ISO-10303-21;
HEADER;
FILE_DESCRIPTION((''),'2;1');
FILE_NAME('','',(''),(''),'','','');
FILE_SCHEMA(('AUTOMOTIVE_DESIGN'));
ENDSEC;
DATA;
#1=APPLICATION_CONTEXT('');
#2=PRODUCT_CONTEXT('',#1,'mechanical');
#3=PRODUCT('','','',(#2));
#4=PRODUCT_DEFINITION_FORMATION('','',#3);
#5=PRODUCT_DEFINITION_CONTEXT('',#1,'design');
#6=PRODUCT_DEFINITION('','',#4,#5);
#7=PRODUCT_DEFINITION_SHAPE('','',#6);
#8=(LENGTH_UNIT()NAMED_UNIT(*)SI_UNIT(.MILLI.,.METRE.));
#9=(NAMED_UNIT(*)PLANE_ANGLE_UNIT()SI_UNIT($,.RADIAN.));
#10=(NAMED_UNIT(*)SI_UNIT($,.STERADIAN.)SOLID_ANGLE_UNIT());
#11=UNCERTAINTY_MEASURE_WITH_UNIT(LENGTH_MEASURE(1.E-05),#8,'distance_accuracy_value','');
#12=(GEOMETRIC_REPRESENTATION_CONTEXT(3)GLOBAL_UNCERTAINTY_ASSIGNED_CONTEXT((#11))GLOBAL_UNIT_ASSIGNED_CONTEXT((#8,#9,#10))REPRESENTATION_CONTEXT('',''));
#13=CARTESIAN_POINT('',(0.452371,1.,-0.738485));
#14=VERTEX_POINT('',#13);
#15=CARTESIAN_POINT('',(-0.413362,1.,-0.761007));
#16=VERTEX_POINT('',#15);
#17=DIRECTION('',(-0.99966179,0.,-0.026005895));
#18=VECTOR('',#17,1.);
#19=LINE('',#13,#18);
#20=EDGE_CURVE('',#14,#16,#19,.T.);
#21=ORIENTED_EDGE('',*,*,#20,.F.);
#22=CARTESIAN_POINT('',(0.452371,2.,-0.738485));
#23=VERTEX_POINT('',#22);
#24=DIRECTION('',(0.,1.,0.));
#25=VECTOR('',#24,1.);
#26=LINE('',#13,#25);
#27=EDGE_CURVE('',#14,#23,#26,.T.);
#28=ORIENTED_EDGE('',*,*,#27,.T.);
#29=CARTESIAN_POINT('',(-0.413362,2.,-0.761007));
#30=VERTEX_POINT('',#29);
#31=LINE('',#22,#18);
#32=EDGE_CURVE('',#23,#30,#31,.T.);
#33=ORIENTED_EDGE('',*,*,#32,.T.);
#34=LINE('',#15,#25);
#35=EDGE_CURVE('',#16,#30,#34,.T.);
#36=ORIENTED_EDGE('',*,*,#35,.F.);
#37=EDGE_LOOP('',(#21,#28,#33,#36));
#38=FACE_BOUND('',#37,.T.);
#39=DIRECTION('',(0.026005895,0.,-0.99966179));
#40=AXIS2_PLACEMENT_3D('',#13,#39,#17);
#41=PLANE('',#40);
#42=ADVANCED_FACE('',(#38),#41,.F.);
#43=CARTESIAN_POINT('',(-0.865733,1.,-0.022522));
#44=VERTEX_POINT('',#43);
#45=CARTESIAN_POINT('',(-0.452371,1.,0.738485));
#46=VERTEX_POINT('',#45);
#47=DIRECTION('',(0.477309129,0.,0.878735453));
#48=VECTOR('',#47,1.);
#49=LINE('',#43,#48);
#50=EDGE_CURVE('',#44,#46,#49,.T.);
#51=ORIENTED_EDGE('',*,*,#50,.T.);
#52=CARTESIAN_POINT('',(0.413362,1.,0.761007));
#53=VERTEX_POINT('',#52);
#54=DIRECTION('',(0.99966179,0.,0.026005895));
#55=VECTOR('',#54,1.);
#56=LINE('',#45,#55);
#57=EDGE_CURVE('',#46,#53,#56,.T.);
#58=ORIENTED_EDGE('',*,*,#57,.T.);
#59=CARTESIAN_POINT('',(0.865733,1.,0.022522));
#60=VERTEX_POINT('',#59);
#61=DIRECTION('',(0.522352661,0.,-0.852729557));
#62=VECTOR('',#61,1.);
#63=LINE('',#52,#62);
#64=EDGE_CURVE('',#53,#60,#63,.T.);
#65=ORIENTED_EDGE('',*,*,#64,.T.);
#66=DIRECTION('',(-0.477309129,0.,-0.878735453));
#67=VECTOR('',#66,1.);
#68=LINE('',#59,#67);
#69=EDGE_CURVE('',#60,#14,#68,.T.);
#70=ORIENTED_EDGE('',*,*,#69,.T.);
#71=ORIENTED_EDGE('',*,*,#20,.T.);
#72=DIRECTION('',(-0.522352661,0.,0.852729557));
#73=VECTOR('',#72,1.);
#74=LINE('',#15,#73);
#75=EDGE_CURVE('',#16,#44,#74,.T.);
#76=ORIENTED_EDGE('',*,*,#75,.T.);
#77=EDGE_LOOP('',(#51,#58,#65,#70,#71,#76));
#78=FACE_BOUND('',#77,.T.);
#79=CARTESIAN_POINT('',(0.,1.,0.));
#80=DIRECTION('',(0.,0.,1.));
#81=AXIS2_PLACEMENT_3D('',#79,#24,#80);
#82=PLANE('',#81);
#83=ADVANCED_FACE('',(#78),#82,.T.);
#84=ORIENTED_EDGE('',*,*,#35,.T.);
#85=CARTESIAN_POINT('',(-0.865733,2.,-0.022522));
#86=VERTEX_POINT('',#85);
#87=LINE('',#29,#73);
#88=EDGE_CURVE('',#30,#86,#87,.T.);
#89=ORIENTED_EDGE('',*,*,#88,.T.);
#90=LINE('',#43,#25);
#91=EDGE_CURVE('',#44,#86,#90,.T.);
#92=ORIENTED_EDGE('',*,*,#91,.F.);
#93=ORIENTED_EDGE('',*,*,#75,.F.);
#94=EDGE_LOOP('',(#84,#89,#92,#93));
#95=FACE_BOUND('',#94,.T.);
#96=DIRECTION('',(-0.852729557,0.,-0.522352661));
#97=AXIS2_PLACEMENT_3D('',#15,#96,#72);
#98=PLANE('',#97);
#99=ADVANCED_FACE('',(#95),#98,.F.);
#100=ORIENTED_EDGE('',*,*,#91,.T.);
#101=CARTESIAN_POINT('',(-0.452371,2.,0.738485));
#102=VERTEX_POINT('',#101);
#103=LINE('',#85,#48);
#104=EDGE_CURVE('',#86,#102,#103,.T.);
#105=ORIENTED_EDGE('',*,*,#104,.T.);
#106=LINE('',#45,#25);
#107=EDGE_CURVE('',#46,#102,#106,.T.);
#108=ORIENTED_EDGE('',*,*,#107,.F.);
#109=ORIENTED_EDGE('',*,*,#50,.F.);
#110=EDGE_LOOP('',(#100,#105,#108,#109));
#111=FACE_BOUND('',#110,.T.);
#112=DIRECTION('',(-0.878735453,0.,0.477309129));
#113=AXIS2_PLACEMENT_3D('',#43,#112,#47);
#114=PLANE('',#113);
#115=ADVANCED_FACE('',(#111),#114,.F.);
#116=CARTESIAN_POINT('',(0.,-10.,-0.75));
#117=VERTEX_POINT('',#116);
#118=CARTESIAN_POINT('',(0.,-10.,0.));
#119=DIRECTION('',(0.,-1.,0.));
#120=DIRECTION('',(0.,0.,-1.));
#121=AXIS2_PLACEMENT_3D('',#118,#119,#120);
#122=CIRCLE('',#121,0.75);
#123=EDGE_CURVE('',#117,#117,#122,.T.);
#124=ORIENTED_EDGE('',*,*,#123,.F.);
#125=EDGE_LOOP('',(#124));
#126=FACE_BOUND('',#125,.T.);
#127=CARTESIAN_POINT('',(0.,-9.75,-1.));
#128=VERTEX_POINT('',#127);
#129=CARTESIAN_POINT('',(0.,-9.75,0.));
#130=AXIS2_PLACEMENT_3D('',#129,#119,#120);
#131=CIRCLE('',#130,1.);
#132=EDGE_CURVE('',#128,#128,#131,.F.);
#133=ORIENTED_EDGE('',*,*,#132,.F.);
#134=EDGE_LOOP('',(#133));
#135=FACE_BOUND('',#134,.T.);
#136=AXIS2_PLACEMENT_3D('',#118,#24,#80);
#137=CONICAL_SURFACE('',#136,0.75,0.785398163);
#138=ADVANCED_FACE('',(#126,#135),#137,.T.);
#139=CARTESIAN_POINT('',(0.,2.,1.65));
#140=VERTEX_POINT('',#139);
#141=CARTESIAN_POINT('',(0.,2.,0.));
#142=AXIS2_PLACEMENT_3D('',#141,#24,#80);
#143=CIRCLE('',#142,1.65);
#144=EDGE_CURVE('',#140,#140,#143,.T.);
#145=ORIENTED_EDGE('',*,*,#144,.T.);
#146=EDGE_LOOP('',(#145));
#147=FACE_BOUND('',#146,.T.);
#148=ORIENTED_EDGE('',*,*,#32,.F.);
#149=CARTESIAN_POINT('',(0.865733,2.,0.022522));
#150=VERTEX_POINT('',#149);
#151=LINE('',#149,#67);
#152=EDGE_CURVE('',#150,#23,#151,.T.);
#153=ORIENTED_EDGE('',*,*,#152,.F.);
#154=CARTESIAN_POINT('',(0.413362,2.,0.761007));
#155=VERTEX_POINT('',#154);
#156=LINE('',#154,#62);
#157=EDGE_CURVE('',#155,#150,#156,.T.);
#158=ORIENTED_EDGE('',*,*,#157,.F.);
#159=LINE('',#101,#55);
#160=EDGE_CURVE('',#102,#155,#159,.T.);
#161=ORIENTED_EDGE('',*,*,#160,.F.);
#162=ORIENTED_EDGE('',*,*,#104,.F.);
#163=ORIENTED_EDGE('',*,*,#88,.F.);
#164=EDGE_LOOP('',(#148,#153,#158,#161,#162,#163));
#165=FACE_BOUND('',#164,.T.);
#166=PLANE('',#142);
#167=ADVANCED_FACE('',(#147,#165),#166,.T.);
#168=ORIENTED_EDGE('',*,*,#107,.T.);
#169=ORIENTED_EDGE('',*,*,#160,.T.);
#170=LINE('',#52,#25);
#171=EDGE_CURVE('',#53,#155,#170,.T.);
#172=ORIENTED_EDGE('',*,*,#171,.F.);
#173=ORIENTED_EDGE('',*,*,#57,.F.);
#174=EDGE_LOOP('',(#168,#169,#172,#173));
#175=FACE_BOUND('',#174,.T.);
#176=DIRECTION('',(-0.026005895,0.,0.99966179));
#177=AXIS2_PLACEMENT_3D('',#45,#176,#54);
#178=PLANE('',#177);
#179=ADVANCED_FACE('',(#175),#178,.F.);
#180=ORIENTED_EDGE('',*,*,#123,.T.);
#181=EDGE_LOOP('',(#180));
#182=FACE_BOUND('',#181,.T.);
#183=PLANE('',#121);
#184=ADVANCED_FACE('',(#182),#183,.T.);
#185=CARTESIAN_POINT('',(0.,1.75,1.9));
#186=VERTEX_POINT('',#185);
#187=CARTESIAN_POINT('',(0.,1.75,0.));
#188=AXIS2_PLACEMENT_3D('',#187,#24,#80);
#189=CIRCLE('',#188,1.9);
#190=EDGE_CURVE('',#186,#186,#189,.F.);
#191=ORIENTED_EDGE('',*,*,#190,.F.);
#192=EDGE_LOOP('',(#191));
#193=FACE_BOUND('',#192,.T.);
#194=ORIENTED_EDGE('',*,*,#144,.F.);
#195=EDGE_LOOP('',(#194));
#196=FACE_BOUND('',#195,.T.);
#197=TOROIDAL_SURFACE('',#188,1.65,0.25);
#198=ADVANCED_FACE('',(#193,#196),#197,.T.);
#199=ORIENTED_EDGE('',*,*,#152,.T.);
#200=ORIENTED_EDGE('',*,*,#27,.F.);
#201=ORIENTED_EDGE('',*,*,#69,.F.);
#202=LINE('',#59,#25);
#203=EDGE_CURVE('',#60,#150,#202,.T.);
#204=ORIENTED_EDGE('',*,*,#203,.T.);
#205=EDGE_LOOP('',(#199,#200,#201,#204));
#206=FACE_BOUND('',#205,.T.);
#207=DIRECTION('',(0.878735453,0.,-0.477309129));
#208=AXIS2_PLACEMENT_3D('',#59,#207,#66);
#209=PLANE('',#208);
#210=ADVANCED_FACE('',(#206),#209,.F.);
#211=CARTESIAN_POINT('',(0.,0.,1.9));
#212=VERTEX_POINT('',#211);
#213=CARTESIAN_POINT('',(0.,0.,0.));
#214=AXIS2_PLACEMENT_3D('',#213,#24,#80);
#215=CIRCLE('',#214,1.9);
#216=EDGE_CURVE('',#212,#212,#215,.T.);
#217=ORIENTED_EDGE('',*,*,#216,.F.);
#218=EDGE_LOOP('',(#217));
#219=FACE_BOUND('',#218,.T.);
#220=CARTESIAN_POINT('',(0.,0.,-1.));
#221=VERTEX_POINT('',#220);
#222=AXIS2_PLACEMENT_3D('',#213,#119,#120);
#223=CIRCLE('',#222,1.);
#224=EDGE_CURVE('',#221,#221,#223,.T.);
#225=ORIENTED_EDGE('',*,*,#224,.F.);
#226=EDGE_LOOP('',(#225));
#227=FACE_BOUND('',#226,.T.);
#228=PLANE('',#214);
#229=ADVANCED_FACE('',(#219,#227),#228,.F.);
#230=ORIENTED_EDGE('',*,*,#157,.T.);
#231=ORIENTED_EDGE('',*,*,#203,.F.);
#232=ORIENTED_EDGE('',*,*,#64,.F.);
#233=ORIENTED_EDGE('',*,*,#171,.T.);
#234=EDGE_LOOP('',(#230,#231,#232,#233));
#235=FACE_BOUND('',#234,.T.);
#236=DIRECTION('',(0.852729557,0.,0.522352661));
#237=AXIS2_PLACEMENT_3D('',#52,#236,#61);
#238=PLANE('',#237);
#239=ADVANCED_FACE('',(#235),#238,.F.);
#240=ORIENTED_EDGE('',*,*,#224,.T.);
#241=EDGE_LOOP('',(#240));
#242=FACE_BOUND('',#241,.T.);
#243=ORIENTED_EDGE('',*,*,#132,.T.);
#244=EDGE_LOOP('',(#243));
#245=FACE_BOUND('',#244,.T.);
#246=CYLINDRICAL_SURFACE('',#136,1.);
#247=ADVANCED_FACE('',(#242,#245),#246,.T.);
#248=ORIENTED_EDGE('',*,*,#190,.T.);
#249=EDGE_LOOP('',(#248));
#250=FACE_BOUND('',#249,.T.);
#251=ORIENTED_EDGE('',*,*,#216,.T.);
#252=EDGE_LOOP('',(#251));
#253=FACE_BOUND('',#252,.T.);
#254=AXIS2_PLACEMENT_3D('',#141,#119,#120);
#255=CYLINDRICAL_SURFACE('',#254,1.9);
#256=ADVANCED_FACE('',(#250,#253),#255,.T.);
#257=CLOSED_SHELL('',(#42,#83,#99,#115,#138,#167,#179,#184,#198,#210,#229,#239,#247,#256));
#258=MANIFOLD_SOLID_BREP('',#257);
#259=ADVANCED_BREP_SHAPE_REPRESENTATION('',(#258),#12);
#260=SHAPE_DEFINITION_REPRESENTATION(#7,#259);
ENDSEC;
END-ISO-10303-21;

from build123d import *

# Parameters (mm, degrees)
DIAMETRE_TETE_R     = 1.9
HAUTEUR_TETE_DEPTH  = 2
CONGE_R             = 0.25
DIAMETRE_R          = 1
LONGUEUR_DEPTH      = 10
HAUTEUR_6PANS_DEPTH = 1
CHANFREIN_SIZE      = 0.25


with BuildPart() as part:
    # DIAMETRE_TETE → HAUTEUR_TETE (new body)
    with BuildSketch(Plane(origin=(0, 0, 0), x_dir=(1, 0, 0), z_dir=(0, 1, 0))):
        with Locations(Location((0, 0, 0), (0, 0, 270))):  # turned: the seam where the file's is
            Circle(DIAMETRE_TETE_R)
    extrude(amount=HAUTEUR_TETE_DEPTH)

    # CONGE
    conge_edges = [part.edges().sort_by_distance(p)[0] for p in [
        (0, 2, -1.9),
    ]]
    fillet(conge_edges, radius=CONGE_R)

    # DIAMETRE → LONGUEUR (add)
    with BuildSketch(Plane.XZ):
        with Locations(Location((0, 0, 0), (0, 0, 270))):  # turned: the seam where the file's is
            Circle(DIAMETRE_R)
    extrude(amount=LONGUEUR_DEPTH)

    # LARGEUR_6PANS → HAUTEUR_6PANS (cut)
    with BuildSketch(Plane(origin=(0, 2, 0), x_dir=(1, 0, 0), z_dir=(0, 1, 0))):
        Polygon((0.452370674, 0.738485459), (-0.413361831, 0.761007225), (-0.865732505, 0.022521766), (-0.452370674, -0.738485459), (0.413361831, -0.761007225), (0.865732505, -0.022521766), align=None)
    extrude(amount=-HAUTEUR_6PANS_DEPTH, mode=Mode.SUBTRACT)

    # CHANFREIN
    chanfrein_edges = [part.edges().sort_by_distance(p)[0] for p in [
        (0, -10, 1),
    ]]
    chamfer(chanfrein_edges, length=CHANFREIN_SIZE)


solid = part.part
